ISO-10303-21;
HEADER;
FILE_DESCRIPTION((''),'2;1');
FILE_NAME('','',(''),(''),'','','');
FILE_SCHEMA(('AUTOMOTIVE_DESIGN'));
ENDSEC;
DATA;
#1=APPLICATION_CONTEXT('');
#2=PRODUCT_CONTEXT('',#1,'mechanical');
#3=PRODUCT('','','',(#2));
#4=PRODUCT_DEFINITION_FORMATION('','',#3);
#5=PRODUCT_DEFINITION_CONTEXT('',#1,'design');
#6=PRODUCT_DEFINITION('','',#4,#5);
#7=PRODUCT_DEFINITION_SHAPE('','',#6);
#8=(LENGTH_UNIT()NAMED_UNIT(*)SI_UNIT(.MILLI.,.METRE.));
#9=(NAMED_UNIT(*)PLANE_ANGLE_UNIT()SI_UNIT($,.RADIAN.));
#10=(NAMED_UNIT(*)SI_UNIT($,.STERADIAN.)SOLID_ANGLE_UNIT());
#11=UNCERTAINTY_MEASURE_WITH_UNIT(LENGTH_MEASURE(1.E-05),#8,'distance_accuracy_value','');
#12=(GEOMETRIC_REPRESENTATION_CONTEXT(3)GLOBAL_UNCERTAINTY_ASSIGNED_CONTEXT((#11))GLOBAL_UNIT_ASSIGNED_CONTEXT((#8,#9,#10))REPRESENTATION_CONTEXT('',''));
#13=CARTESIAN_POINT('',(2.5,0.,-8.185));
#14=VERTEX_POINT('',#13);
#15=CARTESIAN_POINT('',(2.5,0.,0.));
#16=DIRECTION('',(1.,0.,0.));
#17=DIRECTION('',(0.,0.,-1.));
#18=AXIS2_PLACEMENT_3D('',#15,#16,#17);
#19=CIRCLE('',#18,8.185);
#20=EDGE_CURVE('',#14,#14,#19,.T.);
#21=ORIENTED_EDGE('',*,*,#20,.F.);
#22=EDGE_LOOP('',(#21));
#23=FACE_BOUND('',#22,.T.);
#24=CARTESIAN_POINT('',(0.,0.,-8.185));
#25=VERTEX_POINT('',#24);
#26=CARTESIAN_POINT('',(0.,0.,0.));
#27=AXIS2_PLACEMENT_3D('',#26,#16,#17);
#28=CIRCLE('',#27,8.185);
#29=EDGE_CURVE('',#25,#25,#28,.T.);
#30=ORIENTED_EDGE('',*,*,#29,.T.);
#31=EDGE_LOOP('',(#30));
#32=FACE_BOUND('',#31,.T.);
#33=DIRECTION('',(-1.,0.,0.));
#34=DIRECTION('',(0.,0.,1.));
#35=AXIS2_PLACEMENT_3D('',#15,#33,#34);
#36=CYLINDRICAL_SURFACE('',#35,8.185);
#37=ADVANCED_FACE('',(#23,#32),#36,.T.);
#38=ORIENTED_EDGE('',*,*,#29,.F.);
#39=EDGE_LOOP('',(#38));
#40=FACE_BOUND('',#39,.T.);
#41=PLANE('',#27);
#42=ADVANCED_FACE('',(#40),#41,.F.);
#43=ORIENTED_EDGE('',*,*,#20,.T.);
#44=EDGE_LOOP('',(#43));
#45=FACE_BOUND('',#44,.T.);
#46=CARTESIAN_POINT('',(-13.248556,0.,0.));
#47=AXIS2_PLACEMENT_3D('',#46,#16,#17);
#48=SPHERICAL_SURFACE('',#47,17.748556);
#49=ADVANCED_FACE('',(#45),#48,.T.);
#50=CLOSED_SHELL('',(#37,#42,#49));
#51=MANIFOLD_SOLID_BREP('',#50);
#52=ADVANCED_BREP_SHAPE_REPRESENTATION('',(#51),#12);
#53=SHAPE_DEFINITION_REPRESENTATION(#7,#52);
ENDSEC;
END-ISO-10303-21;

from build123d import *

# Parameters (mm, degrees)
SKETCH1_R           = 8.185
BOSS_EXTRUDE1_DEPTH = 2.5
DOME1_FACE_RADIUS   = 8.185
DOME1_HEIGHT        = 2


with BuildPart() as part:
    # Sketch1 → Boss-Extrude1 (new body)
    with BuildSketch(Plane(origin=(0, 0, 0), x_dir=(0, 0, -1), z_dir=(1, 0, 0))):
        Circle(SKETCH1_R)
    extrude(amount=BOSS_EXTRUDE1_DEPTH)

    # Dome1: a dome of height H over a round flat face of radius A is a cap of a sphere of radius (A * A + H * H) / (2 * H)
    dome1_r = (DOME1_FACE_RADIUS * DOME1_FACE_RADIUS + DOME1_HEIGHT * DOME1_HEIGHT) / (2 * DOME1_HEIGHT)
    dome1_base = Plane((2.5, 0, 0), z_dir=(1, 0, 0))
    with Locations(dome1_base.offset(DOME1_HEIGHT - dome1_r)):
        dome1_ball = Sphere(dome1_r, mode=Mode.PRIVATE)
    add(split(dome1_ball, bisect_by=dome1_base, keep=Keep.TOP, mode=Mode.PRIVATE))


solid = part.part
